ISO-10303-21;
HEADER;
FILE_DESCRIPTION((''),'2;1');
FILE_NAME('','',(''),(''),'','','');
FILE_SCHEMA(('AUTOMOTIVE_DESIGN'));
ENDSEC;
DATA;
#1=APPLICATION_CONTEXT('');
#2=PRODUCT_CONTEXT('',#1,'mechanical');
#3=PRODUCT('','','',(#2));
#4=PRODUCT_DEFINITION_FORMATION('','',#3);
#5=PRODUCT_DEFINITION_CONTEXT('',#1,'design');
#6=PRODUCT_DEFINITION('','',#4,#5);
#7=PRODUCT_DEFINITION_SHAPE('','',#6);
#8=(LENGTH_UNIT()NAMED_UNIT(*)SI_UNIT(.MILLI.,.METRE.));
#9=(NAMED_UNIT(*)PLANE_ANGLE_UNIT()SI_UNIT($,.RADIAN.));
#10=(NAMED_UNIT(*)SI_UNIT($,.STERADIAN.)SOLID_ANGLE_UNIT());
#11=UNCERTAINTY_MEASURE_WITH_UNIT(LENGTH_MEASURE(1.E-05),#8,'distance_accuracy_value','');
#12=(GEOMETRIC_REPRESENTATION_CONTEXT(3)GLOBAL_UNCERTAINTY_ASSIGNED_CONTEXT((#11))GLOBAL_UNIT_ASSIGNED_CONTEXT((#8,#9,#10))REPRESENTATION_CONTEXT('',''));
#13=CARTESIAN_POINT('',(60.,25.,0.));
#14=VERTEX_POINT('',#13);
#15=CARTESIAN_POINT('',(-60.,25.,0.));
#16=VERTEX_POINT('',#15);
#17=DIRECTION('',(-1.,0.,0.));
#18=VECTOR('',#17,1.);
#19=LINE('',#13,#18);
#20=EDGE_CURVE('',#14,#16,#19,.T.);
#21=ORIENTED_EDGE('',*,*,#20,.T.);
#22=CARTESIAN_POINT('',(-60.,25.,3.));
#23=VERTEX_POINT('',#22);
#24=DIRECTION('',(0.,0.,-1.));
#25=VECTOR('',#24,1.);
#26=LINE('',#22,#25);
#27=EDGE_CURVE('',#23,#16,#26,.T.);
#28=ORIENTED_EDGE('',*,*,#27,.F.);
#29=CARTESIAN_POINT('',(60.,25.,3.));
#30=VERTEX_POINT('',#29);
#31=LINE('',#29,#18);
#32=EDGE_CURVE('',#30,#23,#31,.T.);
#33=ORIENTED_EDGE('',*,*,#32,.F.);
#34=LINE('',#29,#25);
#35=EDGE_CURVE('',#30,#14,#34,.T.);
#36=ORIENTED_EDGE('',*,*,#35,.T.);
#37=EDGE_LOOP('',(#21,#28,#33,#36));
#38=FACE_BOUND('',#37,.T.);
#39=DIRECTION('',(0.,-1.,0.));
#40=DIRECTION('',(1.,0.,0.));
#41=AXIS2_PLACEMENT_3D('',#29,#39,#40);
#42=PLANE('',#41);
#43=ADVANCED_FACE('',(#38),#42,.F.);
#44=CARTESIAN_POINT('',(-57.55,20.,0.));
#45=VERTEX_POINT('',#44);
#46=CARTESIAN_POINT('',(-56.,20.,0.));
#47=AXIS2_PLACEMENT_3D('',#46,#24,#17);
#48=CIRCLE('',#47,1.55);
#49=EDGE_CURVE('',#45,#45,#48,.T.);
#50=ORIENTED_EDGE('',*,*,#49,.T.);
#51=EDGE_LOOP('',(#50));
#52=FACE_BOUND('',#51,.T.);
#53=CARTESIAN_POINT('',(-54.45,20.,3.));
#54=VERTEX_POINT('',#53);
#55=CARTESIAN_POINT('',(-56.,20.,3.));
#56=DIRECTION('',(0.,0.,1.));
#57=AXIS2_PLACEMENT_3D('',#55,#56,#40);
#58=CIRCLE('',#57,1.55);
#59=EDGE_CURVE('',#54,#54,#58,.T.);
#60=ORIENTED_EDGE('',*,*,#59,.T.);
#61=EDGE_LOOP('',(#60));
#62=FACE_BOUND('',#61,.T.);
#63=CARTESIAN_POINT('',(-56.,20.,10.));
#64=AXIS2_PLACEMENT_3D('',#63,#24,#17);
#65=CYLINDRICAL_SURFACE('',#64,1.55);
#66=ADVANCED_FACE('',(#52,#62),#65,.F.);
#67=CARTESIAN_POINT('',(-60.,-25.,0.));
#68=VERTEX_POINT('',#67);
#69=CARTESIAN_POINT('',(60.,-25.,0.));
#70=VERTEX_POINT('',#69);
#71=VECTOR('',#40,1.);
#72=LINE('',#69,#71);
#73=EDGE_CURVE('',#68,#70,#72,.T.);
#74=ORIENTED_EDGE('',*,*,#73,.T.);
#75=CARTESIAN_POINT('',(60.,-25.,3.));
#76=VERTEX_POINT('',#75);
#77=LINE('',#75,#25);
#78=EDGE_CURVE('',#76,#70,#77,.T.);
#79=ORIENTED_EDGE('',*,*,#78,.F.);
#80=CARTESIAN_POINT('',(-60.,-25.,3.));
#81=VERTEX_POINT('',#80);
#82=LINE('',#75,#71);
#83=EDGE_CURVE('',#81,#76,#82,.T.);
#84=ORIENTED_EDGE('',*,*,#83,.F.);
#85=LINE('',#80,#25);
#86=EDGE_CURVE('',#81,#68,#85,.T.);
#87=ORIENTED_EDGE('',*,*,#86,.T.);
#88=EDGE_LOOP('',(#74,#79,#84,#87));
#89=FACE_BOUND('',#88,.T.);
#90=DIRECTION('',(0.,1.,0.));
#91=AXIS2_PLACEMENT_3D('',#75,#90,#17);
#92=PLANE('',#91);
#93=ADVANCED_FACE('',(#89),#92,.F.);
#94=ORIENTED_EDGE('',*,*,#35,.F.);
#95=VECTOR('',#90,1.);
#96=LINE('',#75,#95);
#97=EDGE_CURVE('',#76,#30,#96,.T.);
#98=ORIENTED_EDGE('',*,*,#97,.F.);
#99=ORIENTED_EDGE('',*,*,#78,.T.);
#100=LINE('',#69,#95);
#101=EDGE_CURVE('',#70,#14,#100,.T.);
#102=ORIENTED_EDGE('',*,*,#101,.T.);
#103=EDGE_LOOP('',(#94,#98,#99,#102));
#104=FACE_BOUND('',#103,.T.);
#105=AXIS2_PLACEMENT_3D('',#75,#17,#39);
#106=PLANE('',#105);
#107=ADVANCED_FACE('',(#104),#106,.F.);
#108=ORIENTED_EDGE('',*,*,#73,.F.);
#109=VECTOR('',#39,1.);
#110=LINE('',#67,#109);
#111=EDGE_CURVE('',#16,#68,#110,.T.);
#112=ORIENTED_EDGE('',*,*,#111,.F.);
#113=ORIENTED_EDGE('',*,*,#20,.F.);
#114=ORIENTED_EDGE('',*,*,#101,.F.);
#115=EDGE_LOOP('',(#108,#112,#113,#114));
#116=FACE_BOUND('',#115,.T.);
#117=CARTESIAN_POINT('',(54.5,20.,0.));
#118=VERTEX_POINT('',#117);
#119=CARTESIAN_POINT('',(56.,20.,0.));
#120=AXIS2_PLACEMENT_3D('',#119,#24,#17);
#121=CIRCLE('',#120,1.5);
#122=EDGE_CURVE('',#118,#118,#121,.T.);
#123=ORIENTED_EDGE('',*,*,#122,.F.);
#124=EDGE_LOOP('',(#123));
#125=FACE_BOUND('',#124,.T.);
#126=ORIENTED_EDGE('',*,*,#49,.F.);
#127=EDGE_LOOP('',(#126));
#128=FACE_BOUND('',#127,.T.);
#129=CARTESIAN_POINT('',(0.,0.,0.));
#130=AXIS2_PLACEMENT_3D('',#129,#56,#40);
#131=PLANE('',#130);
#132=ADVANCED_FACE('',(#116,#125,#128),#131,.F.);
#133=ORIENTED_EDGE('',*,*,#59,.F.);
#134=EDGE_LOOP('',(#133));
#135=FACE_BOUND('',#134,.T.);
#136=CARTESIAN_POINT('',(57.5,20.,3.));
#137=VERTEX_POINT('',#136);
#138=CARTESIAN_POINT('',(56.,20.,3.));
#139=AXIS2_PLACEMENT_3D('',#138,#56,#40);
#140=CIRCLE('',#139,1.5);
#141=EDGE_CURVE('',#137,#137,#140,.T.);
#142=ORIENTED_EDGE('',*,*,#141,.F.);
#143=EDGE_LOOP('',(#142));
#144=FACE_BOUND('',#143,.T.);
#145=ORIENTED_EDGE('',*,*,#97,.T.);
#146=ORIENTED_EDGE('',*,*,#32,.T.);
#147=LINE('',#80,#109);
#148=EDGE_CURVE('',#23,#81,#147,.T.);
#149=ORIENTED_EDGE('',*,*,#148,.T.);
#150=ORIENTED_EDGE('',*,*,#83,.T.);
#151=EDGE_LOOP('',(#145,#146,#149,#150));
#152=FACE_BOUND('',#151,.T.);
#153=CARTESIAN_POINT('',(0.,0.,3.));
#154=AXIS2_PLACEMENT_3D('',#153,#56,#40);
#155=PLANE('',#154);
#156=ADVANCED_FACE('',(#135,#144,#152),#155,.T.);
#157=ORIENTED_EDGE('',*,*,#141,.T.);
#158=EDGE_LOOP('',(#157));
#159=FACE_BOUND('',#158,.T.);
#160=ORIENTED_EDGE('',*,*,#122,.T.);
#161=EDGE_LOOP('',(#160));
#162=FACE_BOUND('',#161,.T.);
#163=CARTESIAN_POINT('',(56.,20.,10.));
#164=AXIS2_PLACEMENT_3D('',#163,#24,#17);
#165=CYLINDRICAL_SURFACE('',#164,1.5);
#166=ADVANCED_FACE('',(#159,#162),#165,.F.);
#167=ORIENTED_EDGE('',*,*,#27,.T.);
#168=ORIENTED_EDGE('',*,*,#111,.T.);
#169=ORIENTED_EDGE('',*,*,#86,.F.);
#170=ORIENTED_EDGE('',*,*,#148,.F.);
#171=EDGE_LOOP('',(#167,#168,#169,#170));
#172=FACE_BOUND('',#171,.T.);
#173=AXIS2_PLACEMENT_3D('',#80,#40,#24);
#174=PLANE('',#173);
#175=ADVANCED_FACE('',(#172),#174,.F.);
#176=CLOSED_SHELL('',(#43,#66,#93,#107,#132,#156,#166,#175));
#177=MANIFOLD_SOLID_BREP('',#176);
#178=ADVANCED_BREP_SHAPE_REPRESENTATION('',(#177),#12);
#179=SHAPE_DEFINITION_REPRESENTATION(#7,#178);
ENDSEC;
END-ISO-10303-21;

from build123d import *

# Parameters (mm, degrees)
SKETCH_1_W          = 120
SKETCH_1_H          = 50
EXTRUDE_1_DEPTH     = 3
SKETCH_3_R          = 1.5
SKETCH_3_R_2        = 1.55
CUT_EXTRUDE_2_DEPTH = 10


with BuildPart() as part:
    # 草图1 → 凸台-拉伸1 (new body)
    with BuildSketch(Plane.XY):
        Rectangle(SKETCH_1_W, SKETCH_1_H)
    extrude(amount=EXTRUDE_1_DEPTH)

    # 草图3 → 切除-拉伸2 (cut)
    with BuildSketch(Plane(origin=(0, 0, 0), x_dir=(-1, 0, 0), z_dir=(0, 0, -1))):
        with Locations((-56, 20)):
            Circle(SKETCH_3_R)
        with Locations((56, 20)):
            Circle(SKETCH_3_R_2)
    extrude(amount=-CUT_EXTRUDE_2_DEPTH, mode=Mode.SUBTRACT)


solid = part.part
